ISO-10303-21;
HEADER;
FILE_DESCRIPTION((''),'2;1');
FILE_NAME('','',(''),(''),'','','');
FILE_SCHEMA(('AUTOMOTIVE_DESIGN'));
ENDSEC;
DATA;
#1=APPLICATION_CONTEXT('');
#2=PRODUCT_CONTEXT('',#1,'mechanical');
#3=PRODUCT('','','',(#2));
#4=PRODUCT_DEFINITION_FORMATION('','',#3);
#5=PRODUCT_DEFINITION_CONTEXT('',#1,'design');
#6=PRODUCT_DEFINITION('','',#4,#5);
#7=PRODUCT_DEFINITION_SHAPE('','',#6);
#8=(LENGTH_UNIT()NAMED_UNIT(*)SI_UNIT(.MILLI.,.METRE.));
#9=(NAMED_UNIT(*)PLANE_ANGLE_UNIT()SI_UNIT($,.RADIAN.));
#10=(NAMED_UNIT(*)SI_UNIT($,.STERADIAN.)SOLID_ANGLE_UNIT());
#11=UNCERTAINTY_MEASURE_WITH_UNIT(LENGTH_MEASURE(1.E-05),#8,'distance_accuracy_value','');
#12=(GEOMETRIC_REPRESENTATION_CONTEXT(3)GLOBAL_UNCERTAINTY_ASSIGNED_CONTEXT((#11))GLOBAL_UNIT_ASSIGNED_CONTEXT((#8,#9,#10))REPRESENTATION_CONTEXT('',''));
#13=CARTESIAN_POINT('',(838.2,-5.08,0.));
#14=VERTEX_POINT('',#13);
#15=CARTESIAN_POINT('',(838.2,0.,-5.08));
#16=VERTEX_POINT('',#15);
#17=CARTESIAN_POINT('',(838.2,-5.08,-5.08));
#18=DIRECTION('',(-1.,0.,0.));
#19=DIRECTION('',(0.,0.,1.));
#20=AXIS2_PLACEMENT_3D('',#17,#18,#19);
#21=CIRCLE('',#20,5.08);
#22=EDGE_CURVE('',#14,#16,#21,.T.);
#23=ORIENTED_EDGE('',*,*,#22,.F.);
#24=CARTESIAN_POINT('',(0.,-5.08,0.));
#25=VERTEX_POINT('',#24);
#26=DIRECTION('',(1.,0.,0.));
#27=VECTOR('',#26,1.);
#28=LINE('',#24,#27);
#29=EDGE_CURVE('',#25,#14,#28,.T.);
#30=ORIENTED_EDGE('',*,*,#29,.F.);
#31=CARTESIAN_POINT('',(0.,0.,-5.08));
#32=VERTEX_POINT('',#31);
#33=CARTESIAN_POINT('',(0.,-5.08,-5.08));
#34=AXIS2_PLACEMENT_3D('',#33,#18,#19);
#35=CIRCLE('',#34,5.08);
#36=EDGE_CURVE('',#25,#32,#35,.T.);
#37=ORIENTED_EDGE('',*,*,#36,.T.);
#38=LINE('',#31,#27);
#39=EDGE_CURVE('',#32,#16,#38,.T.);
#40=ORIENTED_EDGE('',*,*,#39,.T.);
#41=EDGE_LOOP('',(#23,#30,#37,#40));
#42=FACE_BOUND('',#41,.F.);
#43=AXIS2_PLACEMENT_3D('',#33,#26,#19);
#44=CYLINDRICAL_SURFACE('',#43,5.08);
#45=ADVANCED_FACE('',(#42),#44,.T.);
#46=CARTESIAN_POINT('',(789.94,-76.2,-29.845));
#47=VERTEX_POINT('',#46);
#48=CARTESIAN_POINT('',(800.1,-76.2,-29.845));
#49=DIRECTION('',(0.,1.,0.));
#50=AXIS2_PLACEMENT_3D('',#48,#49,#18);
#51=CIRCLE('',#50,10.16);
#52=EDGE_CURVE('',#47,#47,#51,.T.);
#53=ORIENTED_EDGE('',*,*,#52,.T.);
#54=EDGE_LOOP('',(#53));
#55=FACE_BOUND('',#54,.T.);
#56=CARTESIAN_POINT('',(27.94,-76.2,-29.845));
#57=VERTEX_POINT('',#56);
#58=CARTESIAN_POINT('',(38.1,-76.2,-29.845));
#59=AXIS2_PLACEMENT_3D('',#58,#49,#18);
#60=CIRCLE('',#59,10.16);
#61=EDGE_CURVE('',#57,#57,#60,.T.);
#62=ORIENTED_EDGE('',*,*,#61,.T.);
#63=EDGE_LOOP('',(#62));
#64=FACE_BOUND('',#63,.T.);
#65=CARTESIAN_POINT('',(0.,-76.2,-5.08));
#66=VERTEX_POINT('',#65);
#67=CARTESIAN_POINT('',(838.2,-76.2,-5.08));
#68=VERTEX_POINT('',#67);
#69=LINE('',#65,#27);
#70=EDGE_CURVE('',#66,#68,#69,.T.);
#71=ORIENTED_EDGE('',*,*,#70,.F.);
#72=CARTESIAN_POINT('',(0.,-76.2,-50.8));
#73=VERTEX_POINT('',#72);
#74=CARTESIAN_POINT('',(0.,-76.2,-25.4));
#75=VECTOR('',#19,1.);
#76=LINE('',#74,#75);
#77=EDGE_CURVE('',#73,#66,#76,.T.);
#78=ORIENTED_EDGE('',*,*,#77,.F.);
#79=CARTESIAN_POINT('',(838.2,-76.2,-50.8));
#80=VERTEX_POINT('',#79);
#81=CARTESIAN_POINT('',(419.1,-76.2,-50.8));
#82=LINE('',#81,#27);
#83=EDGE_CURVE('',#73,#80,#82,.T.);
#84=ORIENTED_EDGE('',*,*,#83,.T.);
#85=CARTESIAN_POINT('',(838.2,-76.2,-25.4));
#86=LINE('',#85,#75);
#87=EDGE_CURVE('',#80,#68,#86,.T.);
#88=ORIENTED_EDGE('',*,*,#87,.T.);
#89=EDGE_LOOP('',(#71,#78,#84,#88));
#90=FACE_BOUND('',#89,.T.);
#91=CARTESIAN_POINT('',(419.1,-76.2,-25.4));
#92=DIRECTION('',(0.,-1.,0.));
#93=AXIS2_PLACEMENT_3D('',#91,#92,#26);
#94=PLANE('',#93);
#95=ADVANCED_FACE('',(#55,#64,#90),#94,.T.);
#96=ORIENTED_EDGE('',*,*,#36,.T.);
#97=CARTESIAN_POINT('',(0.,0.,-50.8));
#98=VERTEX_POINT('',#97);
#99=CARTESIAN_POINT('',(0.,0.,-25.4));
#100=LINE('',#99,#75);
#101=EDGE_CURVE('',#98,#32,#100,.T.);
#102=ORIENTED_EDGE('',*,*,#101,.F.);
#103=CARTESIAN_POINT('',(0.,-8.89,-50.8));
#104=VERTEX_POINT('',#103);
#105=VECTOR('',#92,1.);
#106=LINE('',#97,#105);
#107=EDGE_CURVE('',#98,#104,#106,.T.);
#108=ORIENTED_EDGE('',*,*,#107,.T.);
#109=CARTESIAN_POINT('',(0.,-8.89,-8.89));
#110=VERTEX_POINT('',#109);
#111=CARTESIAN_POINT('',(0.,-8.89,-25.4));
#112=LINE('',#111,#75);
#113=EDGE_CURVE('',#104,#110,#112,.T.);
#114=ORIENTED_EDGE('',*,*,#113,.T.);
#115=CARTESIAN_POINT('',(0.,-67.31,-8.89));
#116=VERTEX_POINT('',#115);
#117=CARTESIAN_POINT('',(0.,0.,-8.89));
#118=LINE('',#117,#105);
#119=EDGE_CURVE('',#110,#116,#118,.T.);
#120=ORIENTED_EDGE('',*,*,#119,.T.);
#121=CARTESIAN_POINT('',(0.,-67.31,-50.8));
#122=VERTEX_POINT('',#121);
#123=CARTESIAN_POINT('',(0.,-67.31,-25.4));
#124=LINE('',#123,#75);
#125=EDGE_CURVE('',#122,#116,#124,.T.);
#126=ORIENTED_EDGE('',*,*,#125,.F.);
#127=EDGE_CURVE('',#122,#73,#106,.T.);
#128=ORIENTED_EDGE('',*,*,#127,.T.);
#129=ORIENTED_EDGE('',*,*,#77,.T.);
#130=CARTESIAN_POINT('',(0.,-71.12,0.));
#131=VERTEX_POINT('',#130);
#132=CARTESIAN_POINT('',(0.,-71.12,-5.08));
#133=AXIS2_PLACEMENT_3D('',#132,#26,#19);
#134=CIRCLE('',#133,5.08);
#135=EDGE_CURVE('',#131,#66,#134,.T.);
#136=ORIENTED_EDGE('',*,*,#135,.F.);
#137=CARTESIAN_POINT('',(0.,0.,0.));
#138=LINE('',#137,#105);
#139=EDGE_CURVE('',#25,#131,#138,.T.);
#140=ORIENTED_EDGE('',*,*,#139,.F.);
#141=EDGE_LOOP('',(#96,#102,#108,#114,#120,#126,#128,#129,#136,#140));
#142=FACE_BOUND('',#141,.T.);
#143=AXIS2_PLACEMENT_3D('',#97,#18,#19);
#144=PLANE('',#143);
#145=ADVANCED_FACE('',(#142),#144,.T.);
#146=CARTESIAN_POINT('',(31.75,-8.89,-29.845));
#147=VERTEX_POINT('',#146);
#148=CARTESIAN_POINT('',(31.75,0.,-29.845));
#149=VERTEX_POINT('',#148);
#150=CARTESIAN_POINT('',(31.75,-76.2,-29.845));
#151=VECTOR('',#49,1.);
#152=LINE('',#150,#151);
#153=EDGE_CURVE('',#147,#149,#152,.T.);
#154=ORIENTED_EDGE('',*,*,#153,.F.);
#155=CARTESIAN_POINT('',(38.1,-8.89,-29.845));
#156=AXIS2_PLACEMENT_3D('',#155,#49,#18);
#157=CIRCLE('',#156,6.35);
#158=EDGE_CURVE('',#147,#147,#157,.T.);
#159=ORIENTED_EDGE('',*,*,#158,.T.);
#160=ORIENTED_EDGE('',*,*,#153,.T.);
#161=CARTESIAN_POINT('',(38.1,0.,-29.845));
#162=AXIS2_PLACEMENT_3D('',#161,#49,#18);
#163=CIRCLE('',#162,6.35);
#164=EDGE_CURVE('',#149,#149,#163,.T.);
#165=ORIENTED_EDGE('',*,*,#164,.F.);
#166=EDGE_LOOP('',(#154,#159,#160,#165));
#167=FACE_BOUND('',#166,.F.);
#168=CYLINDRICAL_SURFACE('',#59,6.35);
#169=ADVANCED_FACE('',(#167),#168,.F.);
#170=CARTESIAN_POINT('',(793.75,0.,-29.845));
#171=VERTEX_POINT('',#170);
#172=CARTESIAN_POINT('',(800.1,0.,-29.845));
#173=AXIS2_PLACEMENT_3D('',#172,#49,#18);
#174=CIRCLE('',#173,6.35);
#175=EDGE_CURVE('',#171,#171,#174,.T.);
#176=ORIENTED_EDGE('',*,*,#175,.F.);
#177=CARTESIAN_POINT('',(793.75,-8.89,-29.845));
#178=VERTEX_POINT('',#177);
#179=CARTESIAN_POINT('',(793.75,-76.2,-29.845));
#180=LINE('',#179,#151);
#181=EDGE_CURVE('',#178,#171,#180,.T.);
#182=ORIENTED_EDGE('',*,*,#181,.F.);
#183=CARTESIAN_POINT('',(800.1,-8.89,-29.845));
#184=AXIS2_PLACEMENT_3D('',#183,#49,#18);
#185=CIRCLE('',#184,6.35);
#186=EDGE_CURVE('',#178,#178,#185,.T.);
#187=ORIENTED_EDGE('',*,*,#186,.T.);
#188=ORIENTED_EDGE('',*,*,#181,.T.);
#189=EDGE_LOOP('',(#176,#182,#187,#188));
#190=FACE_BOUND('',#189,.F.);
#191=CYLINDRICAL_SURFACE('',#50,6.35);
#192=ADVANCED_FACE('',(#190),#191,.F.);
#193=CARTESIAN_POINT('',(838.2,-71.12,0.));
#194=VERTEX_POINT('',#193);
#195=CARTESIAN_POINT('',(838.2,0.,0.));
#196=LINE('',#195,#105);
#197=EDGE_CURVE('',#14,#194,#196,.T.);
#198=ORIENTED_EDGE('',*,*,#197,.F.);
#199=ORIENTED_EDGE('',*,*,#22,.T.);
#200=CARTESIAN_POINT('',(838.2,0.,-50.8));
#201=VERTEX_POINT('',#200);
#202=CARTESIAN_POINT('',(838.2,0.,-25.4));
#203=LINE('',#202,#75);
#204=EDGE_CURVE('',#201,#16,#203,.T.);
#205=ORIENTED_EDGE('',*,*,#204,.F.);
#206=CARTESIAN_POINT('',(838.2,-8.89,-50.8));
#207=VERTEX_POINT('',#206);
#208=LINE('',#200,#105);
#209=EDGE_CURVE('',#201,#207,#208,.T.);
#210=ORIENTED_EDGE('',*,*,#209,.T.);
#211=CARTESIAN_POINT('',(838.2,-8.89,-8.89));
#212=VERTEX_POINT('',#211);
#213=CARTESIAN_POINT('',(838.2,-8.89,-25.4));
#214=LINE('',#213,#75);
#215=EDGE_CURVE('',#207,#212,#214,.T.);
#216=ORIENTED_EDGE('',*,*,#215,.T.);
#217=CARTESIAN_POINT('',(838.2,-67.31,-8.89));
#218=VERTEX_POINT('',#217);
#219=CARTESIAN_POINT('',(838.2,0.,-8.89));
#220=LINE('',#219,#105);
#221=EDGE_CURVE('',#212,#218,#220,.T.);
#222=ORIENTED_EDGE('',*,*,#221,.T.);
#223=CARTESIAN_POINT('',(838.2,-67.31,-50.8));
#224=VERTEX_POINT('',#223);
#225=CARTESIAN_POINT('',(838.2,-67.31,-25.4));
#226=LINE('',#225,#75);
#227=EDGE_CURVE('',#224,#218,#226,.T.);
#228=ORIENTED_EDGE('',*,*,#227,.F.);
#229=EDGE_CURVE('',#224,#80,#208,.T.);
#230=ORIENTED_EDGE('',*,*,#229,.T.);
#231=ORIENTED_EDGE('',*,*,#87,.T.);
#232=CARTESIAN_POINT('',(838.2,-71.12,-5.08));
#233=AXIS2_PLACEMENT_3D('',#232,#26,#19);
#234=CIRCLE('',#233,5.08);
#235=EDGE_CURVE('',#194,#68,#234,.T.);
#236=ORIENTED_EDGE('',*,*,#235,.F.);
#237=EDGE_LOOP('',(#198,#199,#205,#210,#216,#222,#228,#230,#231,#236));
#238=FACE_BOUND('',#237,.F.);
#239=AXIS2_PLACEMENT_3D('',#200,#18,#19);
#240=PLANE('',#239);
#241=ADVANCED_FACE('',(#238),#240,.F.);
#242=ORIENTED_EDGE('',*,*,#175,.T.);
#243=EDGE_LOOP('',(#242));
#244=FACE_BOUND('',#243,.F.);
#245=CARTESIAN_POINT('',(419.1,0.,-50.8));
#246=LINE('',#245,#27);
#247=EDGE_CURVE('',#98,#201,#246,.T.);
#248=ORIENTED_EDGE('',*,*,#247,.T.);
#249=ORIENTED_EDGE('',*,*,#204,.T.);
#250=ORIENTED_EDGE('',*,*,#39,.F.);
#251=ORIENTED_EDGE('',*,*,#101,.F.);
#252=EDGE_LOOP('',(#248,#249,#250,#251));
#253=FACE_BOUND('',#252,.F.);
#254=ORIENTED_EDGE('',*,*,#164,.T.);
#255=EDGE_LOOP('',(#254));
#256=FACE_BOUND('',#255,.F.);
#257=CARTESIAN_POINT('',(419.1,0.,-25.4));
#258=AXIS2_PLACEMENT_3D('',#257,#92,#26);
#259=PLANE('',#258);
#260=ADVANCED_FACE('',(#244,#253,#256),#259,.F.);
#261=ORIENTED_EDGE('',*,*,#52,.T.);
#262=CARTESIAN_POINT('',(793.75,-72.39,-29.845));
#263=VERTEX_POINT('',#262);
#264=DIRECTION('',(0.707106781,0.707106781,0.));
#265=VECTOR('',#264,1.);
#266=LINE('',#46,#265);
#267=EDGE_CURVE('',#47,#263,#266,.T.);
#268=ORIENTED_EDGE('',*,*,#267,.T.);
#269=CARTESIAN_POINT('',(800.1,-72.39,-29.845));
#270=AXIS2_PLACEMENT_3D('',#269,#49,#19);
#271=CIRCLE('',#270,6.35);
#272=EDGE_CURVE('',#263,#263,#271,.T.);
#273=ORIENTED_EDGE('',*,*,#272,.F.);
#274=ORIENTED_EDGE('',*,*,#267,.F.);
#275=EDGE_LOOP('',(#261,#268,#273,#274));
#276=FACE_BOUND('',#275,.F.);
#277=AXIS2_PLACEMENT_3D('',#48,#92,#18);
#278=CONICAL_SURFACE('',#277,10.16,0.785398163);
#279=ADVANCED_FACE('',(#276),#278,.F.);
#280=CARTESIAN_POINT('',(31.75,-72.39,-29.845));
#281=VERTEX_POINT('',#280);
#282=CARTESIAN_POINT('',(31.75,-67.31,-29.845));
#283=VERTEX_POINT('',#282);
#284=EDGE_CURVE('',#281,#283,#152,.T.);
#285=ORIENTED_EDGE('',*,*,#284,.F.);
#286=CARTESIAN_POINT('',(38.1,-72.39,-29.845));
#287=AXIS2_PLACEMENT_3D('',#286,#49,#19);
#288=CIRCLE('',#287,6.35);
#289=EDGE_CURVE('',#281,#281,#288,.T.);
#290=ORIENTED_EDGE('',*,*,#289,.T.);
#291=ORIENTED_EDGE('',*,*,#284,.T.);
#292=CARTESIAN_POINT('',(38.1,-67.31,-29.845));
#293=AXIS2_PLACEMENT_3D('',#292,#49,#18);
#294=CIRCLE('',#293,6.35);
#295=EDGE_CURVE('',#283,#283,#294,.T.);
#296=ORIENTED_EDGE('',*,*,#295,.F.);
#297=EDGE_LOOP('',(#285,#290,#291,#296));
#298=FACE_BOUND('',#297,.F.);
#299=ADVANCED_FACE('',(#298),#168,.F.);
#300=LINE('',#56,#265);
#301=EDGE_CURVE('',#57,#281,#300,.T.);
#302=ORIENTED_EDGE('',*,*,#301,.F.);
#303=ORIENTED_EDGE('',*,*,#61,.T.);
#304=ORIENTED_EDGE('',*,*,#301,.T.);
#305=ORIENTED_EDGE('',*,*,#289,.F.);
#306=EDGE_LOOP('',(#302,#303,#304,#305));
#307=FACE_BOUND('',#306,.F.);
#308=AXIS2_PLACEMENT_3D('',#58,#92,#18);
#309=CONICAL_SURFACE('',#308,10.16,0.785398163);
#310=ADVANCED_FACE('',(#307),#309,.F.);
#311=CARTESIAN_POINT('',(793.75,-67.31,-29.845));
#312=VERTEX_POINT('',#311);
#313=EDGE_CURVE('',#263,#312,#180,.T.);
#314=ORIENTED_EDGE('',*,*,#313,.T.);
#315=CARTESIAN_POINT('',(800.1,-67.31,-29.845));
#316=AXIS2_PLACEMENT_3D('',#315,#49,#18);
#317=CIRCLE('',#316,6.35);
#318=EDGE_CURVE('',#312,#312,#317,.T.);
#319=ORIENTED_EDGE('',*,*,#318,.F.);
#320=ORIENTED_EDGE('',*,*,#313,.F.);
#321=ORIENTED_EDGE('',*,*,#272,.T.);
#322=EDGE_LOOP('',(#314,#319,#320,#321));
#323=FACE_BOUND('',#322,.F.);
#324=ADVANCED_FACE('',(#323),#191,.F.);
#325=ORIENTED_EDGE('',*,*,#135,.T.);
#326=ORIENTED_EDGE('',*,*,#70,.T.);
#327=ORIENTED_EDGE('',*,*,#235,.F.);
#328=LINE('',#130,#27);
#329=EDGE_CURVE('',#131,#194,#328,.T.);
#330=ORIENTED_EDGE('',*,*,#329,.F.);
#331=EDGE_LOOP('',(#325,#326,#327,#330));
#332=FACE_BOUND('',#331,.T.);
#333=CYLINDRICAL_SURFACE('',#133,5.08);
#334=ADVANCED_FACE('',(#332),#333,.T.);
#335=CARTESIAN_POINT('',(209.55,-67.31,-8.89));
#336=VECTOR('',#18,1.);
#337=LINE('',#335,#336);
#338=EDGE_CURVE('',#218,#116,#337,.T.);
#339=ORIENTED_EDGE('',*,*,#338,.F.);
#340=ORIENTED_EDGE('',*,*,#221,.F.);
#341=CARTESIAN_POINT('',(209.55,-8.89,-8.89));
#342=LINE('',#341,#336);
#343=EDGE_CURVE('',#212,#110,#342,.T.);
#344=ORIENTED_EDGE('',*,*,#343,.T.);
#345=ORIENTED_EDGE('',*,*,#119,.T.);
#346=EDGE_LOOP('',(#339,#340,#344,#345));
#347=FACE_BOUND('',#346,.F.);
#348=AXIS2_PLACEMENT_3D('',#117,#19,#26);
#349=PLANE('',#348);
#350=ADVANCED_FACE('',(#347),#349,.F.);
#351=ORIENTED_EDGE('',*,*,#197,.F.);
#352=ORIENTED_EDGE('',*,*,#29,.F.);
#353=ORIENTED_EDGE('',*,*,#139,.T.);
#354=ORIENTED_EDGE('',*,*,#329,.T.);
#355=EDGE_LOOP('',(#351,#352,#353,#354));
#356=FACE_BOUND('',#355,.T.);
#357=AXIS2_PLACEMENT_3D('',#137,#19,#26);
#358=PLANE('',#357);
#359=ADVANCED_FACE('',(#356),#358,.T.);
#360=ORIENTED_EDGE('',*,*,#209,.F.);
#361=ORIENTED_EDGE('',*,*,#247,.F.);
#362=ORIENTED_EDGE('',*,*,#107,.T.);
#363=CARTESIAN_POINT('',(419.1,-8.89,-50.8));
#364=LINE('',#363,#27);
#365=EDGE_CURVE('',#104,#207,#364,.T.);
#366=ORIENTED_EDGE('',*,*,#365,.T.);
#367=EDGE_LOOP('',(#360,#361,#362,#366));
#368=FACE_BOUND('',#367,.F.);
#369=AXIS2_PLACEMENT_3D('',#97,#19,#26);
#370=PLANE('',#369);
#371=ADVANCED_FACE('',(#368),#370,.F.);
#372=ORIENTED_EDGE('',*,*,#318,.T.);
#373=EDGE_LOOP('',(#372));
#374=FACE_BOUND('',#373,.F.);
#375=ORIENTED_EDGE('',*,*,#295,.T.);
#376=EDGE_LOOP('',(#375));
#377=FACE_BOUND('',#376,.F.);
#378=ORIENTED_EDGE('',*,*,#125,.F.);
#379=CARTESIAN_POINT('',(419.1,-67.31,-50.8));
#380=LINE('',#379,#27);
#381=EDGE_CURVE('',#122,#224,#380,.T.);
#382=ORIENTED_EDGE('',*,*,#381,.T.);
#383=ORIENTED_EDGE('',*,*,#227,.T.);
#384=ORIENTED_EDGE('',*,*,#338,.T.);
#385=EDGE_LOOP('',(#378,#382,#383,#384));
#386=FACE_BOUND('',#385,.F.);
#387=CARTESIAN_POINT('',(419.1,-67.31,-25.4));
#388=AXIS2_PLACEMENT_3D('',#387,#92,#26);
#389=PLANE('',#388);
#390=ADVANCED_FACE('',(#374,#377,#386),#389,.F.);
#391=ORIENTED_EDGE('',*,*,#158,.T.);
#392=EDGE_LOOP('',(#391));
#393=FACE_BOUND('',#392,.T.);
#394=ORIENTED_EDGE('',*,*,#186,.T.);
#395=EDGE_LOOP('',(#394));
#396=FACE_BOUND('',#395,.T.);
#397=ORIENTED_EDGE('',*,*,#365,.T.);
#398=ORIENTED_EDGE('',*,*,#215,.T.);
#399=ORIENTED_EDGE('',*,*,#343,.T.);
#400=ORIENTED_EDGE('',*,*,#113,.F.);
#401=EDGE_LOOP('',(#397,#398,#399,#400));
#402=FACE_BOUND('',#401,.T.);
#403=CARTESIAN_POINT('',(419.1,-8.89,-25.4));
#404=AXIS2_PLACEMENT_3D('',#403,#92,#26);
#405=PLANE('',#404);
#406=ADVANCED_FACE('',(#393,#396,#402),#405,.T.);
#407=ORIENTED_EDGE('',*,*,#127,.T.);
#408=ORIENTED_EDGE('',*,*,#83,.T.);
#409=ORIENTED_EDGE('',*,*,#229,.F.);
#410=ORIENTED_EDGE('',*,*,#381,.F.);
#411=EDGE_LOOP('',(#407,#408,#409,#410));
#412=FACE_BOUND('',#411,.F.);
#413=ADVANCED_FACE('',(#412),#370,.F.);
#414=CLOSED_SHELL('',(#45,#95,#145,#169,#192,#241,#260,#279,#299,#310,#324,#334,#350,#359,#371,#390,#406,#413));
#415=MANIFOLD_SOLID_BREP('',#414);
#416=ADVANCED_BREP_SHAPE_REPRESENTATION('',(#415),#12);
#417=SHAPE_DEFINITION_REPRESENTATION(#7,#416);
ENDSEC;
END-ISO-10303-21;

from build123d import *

# Parameters (mm, degrees)
F0_W           = 838.2
F0_H           = 50.8
F1_DEPTH       = 76.2
F3_T           = -8.89
F4_D           = 12.7
F4_CSINK_D     = 20.32
F4_CSINK_ANGLE = 90
F5_R           = 5.08


with BuildPart() as f1:
    # F0 (on Front) → F1 (new body)
    with BuildSketch(Plane.XZ):
        with Locations((419.1, -25.4)):
            Rectangle(F0_W, F0_H)
    extrude(amount=F1_DEPTH)

    # F3
    f3_openings = [f1.faces().sort_by_distance(p)[0] for p in [
        (838.2, -38.1, -25.4),
        (419.1, -38.1, -50.8),
        (0, -38.1, -25.4),
    ]]
    offset(amount=F3_T, openings=f3_openings)

    # F4 (through all)
    with Locations(Plane.XZ.offset(76.2)):
        with Locations((38.1, -29.845), (800.1, -29.845)):
            CounterSinkHole(F4_D / 2, F4_CSINK_D / 2, counter_sink_angle=F4_CSINK_ANGLE)

    # F5
    f5_edges = [f1.edges().sort_by_distance(p)[0] for p in [
        (419.1, -76.2, 0),
        (419.1, 0, 0),
    ]]
    fillet(f5_edges, radius=F5_R)


solid = f1.part
